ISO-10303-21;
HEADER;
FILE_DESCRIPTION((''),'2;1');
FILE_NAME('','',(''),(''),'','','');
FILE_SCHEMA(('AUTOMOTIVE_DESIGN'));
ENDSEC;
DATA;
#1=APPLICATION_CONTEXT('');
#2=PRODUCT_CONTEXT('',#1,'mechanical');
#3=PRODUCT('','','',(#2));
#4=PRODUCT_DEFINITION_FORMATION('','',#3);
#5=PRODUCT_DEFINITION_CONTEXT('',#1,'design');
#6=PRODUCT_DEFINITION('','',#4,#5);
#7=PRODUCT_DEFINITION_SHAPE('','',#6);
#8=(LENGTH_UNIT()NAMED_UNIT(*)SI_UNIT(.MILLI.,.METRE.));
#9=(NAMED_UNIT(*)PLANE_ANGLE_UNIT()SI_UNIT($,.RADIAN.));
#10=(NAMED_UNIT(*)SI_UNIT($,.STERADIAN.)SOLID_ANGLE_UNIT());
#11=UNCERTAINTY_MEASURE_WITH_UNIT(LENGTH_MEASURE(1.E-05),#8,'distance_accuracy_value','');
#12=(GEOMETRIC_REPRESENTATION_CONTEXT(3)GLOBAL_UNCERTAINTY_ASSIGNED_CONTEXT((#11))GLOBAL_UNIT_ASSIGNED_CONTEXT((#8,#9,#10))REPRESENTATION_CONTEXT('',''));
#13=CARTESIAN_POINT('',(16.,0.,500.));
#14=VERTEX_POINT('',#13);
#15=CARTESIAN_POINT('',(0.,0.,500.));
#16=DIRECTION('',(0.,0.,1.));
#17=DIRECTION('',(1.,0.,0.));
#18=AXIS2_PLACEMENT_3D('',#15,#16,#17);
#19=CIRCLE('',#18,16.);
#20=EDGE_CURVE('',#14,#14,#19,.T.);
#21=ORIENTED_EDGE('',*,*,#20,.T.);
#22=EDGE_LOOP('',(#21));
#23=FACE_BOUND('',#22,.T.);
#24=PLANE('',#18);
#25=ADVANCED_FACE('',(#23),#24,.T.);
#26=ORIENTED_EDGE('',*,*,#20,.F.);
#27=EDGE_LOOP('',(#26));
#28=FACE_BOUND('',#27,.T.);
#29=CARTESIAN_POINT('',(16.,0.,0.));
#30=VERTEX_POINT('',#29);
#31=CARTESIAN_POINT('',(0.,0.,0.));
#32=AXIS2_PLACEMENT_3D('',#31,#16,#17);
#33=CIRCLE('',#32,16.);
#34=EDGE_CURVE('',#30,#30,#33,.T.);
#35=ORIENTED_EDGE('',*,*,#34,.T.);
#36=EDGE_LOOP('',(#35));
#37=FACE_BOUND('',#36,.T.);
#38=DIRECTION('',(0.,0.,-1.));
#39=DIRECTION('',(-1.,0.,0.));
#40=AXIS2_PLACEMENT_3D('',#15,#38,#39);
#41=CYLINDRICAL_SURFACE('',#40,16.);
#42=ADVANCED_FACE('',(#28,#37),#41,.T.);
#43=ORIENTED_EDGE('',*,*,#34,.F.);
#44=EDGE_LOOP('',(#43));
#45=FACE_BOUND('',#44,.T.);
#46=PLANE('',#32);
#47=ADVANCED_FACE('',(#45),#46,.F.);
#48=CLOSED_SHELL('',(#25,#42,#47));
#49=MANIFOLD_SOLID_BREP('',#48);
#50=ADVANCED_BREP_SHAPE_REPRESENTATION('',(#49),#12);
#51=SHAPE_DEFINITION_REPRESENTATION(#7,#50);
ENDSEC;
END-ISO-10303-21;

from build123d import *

# Parameters (mm, degrees)
SZKIC1_R                    = 16
DODANIE_WYCI_GNI_CIE1_DEPTH = 500


with BuildPart() as part:
    # Szkic1 → Dodanie-wyciągnięcie1 (new body)
    with BuildSketch(Plane.XY):
        Circle(SZKIC1_R)
    extrude(amount=DODANIE_WYCI_GNI_CIE1_DEPTH)


solid = part.part
